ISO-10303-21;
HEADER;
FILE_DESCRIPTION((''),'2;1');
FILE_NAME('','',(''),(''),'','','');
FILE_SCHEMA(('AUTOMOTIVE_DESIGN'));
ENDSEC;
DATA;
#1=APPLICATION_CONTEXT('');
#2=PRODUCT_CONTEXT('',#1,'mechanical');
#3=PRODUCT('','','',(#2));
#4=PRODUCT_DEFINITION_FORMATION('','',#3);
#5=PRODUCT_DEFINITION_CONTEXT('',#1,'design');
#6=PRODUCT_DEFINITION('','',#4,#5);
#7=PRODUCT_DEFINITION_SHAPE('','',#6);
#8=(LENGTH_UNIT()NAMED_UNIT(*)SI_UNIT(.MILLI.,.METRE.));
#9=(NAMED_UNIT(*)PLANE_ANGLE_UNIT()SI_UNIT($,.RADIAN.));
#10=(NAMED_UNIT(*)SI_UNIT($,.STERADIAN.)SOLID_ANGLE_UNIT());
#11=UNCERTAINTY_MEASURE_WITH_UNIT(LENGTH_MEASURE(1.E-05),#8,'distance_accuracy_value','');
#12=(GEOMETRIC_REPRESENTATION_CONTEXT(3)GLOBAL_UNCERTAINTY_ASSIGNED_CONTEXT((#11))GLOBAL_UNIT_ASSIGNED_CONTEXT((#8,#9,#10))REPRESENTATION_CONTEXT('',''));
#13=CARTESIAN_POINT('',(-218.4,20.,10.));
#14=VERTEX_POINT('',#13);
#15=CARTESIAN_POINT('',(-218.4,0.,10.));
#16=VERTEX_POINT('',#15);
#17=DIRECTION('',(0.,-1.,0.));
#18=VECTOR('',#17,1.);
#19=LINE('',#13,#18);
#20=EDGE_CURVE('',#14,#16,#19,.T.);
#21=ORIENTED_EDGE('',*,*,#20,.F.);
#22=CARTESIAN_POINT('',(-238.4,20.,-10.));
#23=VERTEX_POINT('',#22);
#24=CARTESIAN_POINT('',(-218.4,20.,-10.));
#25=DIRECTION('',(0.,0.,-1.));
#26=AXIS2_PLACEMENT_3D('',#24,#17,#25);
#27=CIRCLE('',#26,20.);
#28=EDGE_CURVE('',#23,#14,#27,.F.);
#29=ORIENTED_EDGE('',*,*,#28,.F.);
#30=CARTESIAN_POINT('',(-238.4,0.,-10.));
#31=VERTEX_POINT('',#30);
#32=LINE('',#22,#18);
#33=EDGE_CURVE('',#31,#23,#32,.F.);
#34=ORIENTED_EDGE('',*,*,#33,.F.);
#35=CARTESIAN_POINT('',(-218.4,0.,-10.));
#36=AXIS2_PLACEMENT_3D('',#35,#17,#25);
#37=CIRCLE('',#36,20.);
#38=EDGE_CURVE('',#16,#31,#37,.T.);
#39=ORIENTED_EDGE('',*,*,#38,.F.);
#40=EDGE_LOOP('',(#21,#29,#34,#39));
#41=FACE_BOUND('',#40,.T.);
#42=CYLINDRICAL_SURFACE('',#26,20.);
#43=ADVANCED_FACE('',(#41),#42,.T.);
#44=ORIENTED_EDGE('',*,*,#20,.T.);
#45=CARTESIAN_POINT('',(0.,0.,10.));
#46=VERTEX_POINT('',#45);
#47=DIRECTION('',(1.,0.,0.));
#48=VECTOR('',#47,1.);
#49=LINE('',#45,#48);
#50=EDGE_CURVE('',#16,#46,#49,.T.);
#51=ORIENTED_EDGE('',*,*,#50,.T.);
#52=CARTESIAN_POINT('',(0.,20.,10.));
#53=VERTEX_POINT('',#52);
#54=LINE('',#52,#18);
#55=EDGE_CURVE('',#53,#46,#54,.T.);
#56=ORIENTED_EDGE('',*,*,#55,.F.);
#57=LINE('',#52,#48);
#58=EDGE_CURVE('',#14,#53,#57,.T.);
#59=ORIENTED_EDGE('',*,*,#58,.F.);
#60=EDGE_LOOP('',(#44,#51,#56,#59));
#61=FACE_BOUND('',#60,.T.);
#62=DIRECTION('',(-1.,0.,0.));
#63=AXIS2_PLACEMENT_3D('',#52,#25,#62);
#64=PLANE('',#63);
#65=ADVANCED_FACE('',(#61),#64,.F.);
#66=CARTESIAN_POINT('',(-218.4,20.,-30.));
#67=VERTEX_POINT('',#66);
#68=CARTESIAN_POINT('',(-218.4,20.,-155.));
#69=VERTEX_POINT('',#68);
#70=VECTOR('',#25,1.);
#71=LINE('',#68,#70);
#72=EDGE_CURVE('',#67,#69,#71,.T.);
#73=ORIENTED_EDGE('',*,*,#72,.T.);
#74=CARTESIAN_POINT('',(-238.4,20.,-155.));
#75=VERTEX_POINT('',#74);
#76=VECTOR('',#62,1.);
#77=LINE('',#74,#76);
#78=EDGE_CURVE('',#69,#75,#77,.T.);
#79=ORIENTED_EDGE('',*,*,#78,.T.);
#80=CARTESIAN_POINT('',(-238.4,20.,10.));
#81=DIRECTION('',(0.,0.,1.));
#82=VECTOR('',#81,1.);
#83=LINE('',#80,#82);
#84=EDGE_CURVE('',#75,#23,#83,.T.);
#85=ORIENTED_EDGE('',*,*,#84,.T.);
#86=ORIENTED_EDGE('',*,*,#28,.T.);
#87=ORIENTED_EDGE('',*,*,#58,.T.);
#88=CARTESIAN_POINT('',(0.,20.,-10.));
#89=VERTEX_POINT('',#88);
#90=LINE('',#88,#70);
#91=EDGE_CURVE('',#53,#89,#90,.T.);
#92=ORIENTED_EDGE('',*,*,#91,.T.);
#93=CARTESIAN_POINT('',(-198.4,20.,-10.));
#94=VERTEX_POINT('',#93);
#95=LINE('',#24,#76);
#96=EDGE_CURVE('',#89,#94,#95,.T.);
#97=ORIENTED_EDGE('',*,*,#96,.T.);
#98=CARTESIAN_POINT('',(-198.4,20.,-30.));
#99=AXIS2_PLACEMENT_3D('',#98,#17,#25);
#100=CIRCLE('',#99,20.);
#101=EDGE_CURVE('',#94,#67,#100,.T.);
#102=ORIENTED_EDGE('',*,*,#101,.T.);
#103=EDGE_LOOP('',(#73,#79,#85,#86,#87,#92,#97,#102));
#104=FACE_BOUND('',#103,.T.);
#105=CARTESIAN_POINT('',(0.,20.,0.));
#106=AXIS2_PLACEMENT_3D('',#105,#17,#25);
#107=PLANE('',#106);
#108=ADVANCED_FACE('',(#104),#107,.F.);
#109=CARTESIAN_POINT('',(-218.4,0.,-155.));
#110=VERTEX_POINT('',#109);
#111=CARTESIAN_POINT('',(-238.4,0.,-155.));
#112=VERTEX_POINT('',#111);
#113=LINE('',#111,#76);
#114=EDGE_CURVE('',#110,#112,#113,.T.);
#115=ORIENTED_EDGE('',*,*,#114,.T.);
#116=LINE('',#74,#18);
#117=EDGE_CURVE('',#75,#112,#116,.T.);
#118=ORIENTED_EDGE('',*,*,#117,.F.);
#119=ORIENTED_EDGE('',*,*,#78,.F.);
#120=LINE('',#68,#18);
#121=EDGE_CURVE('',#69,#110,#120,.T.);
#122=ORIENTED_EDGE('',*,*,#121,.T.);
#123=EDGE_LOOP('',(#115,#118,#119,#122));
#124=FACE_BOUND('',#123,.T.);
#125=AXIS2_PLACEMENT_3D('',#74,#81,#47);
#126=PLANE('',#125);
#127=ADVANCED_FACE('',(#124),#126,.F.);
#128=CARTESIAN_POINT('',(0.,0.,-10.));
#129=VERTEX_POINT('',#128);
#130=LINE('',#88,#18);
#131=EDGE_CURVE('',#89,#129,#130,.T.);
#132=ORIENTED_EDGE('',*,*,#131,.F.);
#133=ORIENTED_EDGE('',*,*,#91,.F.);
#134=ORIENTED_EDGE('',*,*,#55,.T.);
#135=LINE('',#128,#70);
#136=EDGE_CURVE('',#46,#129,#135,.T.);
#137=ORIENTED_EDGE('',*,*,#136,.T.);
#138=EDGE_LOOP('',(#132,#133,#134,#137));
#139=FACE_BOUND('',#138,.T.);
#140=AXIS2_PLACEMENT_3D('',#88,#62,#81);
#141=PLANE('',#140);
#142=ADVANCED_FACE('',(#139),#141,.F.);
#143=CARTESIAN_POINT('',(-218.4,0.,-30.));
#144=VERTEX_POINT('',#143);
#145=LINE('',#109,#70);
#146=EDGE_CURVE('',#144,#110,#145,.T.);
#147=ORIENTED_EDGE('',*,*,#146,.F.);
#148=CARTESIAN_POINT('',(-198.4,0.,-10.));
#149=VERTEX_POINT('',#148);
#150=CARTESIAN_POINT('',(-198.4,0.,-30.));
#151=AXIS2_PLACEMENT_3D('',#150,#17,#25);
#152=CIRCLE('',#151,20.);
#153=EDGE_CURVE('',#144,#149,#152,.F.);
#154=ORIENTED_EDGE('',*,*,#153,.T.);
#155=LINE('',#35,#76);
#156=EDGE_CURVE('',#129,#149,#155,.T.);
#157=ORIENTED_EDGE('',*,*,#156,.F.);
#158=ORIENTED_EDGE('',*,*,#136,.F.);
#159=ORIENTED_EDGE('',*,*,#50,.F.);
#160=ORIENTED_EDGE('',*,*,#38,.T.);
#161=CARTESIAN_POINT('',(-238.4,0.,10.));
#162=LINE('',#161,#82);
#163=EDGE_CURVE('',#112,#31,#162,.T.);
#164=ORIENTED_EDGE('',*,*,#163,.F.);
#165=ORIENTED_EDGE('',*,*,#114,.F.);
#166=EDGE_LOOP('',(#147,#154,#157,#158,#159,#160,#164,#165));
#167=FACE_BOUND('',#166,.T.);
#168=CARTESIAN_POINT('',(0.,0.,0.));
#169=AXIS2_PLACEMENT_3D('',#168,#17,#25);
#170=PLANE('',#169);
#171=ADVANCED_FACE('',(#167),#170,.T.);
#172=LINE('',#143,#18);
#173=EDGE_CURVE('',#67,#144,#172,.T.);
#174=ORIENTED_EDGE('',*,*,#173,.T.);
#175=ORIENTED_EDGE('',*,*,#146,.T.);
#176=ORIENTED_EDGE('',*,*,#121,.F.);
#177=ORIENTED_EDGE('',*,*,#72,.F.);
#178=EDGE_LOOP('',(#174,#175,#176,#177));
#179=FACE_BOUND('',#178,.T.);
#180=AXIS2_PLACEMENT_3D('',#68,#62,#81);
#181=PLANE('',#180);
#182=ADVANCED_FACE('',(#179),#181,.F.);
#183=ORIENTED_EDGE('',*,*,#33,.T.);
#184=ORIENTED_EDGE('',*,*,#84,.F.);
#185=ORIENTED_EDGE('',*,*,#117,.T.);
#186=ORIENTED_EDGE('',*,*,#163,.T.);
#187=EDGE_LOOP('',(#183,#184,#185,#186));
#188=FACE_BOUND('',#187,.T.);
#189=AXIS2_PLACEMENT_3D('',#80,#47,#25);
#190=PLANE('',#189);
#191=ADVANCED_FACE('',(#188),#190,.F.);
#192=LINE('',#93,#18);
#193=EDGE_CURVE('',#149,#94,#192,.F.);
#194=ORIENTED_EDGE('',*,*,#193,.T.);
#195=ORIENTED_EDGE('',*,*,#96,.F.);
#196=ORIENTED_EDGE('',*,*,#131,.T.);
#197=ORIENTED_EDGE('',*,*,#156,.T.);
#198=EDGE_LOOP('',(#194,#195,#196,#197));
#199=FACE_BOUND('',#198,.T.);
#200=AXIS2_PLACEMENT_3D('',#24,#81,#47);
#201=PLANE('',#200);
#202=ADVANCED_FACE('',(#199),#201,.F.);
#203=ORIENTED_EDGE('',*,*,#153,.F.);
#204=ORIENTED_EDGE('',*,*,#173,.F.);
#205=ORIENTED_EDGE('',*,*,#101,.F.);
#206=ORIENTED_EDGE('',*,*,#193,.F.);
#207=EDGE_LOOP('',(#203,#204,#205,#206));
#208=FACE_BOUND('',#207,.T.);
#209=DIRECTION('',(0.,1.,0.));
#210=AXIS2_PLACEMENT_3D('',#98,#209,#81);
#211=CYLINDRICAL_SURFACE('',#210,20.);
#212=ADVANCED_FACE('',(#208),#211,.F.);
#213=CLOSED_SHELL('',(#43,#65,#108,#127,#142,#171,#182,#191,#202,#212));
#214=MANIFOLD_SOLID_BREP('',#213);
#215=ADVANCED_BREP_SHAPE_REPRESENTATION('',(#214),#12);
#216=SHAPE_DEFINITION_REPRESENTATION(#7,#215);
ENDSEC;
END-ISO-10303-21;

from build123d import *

# Parameters (mm, degrees)
BOSS_EXTRUDE1_DEPTH = 20
FILLET1_R           = 20


with BuildPart() as part:
    # Sketch1 → Boss-Extrude1 (new body)
    with BuildSketch(Plane(origin=(0, 0, 0), x_dir=(1, 0, 0), z_dir=(0, 1, 0))):
        Polygon((-218.4, 10), (0, 10), (0, -10), (-238.4, -10), (-238.4, 155), (-218.4, 155), align=None)
    extrude(amount=BOSS_EXTRUDE1_DEPTH)

    # Fillet1
    fillet1_edges = [part.edges().sort_by_distance(p)[0] for p in [
        (-238.4, 10, 10),
        (-218.4, 10, -10),
    ]]
    fillet(fillet1_edges, radius=FILLET1_R)


solid = part.part
